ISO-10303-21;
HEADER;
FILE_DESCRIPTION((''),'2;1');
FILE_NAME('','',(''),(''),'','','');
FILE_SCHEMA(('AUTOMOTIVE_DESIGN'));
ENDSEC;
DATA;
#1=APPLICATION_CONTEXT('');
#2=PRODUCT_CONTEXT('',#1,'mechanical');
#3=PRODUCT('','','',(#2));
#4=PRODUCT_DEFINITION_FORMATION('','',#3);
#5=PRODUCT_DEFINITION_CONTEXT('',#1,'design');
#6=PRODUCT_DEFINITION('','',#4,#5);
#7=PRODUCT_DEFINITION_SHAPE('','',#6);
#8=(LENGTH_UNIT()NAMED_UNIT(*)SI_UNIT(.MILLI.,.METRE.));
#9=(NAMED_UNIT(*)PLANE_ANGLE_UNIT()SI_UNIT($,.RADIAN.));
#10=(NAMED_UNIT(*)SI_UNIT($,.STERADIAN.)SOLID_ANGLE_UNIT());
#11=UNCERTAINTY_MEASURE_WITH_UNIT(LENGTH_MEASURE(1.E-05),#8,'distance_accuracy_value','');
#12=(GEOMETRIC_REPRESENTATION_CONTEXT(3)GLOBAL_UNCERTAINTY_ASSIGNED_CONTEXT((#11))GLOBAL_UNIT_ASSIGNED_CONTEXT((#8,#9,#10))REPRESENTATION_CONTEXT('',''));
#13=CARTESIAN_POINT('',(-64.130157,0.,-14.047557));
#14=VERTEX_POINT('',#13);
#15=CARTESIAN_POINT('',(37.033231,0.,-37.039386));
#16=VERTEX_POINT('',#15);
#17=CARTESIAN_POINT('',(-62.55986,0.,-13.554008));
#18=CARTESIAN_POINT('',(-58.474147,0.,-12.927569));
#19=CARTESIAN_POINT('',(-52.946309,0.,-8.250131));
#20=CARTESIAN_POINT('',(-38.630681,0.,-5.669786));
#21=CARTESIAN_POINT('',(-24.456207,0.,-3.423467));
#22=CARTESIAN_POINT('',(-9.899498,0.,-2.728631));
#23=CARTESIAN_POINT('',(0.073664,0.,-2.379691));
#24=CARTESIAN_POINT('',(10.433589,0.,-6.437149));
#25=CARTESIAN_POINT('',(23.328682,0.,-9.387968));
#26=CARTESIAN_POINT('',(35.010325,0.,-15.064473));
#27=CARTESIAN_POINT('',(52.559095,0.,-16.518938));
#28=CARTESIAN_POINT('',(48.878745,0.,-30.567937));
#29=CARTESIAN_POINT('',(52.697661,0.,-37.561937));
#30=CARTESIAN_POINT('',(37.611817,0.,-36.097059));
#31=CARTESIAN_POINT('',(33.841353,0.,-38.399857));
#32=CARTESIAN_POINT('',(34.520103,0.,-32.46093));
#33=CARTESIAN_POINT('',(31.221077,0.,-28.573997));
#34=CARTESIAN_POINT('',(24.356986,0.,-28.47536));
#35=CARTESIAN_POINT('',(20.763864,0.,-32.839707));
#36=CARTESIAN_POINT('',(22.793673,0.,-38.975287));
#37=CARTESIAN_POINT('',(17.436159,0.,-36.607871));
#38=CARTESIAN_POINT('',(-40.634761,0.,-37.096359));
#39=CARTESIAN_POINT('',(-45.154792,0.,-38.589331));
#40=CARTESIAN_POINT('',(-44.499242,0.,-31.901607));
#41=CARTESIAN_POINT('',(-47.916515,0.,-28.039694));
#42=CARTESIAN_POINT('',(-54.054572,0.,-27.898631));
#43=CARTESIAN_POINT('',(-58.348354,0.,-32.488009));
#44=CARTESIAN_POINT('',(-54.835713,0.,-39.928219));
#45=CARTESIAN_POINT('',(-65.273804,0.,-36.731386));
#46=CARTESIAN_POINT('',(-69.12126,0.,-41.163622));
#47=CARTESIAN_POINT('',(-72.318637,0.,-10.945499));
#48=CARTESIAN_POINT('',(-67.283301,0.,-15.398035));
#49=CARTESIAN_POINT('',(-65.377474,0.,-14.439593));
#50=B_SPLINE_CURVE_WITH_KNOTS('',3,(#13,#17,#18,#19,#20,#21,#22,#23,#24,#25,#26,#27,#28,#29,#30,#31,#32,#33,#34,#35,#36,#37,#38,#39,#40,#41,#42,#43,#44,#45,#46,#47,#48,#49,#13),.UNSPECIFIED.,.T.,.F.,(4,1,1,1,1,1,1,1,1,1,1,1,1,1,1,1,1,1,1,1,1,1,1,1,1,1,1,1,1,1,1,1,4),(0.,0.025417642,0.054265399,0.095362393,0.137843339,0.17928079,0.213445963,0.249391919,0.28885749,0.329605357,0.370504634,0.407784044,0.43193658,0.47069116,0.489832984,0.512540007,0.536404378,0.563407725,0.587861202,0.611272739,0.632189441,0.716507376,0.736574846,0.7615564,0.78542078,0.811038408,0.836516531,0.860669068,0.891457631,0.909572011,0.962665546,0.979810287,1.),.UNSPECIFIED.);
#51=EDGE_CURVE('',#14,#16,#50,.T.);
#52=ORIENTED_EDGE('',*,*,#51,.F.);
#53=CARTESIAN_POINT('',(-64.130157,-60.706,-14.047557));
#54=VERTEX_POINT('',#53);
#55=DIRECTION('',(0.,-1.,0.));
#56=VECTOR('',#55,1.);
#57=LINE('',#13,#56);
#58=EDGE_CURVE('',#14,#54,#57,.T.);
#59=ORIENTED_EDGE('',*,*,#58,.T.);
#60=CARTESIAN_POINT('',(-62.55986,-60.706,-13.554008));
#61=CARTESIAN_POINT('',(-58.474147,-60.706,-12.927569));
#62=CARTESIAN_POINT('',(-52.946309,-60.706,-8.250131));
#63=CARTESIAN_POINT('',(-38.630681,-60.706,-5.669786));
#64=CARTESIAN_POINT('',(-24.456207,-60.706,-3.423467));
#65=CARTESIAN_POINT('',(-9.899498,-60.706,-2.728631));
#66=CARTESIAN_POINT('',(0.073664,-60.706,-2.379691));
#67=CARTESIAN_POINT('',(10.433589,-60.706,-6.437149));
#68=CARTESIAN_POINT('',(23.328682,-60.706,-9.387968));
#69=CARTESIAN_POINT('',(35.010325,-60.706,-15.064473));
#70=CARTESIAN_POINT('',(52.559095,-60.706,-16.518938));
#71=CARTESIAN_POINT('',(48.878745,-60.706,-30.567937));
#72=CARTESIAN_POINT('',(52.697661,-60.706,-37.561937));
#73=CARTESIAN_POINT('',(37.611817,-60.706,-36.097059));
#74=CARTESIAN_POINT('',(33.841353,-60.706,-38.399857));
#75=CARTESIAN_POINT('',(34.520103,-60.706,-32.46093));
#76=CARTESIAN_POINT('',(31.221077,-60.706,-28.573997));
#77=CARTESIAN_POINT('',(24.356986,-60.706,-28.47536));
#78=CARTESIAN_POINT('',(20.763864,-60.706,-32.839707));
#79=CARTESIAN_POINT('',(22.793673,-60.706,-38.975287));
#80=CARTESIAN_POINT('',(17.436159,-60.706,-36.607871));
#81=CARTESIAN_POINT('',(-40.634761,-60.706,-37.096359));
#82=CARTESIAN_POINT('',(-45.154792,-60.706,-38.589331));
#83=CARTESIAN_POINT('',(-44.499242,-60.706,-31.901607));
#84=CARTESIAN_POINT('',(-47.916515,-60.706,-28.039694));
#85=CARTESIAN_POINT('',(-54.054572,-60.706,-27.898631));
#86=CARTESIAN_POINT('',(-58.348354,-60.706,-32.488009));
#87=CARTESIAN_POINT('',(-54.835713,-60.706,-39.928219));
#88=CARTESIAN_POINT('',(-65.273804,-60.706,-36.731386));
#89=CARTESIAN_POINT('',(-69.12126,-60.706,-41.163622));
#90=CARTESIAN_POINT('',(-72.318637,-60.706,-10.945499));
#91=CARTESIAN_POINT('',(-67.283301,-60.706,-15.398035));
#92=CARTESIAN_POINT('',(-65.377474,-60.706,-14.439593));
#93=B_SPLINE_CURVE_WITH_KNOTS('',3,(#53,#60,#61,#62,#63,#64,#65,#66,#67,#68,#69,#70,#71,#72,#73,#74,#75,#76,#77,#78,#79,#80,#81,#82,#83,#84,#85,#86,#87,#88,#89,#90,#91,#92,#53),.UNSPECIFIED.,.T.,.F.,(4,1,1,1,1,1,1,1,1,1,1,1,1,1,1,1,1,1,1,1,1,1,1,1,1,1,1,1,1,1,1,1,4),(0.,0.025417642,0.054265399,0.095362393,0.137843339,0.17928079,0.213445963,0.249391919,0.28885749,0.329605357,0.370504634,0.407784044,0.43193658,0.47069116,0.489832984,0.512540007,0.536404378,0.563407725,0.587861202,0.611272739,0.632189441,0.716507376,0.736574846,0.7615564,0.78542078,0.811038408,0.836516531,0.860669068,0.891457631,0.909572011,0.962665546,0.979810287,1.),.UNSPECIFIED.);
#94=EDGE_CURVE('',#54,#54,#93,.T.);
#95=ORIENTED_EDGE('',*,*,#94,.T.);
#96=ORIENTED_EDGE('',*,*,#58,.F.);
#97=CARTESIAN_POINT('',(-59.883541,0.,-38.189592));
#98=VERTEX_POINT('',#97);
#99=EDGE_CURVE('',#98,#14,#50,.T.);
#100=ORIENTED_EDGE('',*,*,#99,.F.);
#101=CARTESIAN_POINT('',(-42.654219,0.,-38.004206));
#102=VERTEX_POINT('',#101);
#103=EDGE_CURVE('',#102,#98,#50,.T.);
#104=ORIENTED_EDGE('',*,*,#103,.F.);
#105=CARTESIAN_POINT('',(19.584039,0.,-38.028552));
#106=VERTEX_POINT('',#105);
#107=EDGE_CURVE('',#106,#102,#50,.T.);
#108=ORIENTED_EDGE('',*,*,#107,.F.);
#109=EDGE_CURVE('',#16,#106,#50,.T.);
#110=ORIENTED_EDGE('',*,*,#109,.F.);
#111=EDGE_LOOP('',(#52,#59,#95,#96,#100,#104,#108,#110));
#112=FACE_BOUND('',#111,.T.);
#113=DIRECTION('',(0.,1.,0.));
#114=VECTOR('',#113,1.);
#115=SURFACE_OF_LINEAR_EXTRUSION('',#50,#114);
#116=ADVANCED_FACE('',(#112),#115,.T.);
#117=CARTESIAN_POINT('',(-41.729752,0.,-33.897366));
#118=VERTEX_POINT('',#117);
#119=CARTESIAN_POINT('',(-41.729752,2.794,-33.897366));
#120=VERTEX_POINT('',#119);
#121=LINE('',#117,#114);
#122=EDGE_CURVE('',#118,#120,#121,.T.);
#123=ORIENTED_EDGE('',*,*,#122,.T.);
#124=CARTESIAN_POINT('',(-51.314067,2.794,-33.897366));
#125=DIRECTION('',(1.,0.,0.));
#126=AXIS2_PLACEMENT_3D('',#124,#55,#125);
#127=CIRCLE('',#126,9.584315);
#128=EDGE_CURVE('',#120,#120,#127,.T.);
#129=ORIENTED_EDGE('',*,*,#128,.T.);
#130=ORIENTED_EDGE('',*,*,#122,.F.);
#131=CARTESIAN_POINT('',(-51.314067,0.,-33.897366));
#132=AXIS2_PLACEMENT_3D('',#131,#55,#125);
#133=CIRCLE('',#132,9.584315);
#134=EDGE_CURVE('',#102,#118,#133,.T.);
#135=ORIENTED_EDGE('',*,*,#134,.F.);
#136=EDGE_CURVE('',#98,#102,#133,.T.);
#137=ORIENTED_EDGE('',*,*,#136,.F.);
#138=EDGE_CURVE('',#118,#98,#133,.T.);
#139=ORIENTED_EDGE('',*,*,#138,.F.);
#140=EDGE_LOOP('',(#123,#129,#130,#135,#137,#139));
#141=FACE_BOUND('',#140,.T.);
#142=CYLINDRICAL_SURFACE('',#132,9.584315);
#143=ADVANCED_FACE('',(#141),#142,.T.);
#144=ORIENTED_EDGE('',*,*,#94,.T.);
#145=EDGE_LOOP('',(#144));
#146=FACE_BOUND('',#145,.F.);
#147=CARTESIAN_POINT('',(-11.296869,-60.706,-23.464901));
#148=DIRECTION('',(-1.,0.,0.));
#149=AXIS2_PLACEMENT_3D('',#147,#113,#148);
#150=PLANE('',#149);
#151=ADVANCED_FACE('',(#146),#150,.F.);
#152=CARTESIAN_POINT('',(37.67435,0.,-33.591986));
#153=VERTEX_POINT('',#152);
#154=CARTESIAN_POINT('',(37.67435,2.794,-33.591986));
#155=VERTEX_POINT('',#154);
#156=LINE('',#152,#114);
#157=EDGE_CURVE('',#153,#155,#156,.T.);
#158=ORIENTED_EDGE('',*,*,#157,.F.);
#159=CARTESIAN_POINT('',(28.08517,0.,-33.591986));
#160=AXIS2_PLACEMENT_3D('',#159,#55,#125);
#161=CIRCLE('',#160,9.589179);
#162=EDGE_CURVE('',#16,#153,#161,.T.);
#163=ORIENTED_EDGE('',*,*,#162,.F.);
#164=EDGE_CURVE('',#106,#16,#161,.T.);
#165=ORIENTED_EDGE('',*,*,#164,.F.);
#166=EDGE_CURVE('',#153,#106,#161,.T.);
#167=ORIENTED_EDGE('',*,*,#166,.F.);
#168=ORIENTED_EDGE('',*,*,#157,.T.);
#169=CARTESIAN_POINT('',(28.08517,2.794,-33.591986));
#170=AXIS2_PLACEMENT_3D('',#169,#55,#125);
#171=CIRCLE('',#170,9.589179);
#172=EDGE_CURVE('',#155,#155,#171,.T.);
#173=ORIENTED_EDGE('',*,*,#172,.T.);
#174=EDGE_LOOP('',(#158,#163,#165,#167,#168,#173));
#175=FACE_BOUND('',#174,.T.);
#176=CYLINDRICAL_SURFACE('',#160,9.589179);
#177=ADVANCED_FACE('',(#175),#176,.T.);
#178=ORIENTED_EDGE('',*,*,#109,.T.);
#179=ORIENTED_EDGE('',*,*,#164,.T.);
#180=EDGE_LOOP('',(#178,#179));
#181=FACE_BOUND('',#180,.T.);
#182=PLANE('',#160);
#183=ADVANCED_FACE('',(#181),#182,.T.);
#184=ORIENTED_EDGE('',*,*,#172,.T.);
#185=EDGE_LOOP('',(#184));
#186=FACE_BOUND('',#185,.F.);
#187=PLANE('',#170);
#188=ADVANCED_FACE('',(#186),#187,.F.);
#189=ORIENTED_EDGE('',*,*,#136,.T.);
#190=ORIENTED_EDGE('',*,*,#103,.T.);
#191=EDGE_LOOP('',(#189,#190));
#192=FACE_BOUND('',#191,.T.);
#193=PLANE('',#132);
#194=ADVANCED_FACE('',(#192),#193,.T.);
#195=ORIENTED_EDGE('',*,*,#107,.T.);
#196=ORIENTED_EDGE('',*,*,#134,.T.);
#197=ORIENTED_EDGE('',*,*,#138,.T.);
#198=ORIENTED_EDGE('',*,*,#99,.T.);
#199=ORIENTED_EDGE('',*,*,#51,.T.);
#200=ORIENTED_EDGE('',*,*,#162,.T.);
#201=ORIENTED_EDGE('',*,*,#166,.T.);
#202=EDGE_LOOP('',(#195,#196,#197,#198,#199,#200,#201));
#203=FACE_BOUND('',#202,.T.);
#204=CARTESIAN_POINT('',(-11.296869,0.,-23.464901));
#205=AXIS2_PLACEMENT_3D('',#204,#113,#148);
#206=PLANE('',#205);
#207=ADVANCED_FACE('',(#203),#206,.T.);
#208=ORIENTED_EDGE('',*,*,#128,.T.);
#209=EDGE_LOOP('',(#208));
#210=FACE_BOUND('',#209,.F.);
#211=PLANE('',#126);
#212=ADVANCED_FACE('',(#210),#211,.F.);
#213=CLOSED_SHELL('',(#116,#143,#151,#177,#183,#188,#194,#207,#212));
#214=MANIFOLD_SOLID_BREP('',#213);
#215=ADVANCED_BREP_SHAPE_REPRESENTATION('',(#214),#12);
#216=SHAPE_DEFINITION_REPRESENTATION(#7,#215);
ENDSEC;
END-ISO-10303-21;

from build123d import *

# Parameters (mm, degrees)
F1_DEPTH = 60.706
F2_R     = 9.5843147112
F2_R_2   = 9.5891792918
F3_DEPTH = 2.794


with BuildPart() as f1:
    # F0 (on Front) → F1 (new body)
    with BuildSketch(Plane.XZ):
        with BuildLine():
            add(Edge.make_bspline(
                [(-64.1301572323, -14.0475574881), (-62.5598596365, -13.5540078116), (-58.4741468845, -12.9275691465), (-52.9463090718, -8.2501313477), (-38.6306806156, -5.6697864796), (-24.4562074753, -3.423467148), (-9.8994981932, -2.7286308601), (0.0736639804, -2.3796907816), (10.4335886406, -6.4371486488), (23.3286818933, -9.3879679322), (35.0103249669, -15.0644731476), (52.5590954093, -16.5189375629), (48.8787452056, -30.5679374927), (52.6976608795, -37.5619370986), (37.6118168416, -36.0970593164), (33.8413526385, -38.3998570758), (34.5201029361, -32.460930148), (31.2210766761, -28.5739971942), (24.3569856335, -28.4753604735), (20.7638638001, -32.8397068406), (22.7936731867, -38.9752869775), (17.4361586607, -36.6078709037), (-40.6347612648, -37.0963591946), (-45.1547922168, -38.5893310666), (-44.4992419114, -31.9016071691), (-47.9165148344, -28.0396944204), (-54.054572251, -27.8986307035), (-58.3483537486, -32.4880088188), (-54.835712509, -39.9282190432), (-65.2738040065, -36.7313856352), (-69.1212601133, -41.1636224882), (-72.3186374294, -10.9454985509), (-67.2833014855, -15.398034881), (-65.3774742978, -14.4395933263), (-64.1301572323, -14.0475574881)],
                knots=[0, 0, 0, 0, 0.0254176417, 0.0542653986, 0.0953623931, 0.1378433391, 0.1792807902, 0.2134459628, 0.2493919189, 0.2888574898, 0.3296053567, 0.3705046341, 0.4077840436, 0.4319365801, 0.4706911602, 0.4898329843, 0.512540007, 0.5364043781, 0.5634077246, 0.5878612021, 0.6112727386, 0.6321894408, 0.7165073756, 0.7365748457, 0.7615563996, 0.7854207802, 0.8110384083, 0.8365165313, 0.8606690678, 0.8914576307, 0.9095720108, 0.9626655456, 0.9798102867, 1, 1, 1, 1], degree=3))
        make_face()
    extrude(amount=F1_DEPTH)

    # F2 (on Front) → F3 (join)
    with BuildSketch(Plane.XZ):
        with Locations((-51.3140670955, -33.8973663747)):
            Circle(F2_R)
        with Locations((28.0851703137, -33.5919857025)):
            Circle(F2_R_2)
    extrude(amount=-F3_DEPTH)


solid = f1.part
